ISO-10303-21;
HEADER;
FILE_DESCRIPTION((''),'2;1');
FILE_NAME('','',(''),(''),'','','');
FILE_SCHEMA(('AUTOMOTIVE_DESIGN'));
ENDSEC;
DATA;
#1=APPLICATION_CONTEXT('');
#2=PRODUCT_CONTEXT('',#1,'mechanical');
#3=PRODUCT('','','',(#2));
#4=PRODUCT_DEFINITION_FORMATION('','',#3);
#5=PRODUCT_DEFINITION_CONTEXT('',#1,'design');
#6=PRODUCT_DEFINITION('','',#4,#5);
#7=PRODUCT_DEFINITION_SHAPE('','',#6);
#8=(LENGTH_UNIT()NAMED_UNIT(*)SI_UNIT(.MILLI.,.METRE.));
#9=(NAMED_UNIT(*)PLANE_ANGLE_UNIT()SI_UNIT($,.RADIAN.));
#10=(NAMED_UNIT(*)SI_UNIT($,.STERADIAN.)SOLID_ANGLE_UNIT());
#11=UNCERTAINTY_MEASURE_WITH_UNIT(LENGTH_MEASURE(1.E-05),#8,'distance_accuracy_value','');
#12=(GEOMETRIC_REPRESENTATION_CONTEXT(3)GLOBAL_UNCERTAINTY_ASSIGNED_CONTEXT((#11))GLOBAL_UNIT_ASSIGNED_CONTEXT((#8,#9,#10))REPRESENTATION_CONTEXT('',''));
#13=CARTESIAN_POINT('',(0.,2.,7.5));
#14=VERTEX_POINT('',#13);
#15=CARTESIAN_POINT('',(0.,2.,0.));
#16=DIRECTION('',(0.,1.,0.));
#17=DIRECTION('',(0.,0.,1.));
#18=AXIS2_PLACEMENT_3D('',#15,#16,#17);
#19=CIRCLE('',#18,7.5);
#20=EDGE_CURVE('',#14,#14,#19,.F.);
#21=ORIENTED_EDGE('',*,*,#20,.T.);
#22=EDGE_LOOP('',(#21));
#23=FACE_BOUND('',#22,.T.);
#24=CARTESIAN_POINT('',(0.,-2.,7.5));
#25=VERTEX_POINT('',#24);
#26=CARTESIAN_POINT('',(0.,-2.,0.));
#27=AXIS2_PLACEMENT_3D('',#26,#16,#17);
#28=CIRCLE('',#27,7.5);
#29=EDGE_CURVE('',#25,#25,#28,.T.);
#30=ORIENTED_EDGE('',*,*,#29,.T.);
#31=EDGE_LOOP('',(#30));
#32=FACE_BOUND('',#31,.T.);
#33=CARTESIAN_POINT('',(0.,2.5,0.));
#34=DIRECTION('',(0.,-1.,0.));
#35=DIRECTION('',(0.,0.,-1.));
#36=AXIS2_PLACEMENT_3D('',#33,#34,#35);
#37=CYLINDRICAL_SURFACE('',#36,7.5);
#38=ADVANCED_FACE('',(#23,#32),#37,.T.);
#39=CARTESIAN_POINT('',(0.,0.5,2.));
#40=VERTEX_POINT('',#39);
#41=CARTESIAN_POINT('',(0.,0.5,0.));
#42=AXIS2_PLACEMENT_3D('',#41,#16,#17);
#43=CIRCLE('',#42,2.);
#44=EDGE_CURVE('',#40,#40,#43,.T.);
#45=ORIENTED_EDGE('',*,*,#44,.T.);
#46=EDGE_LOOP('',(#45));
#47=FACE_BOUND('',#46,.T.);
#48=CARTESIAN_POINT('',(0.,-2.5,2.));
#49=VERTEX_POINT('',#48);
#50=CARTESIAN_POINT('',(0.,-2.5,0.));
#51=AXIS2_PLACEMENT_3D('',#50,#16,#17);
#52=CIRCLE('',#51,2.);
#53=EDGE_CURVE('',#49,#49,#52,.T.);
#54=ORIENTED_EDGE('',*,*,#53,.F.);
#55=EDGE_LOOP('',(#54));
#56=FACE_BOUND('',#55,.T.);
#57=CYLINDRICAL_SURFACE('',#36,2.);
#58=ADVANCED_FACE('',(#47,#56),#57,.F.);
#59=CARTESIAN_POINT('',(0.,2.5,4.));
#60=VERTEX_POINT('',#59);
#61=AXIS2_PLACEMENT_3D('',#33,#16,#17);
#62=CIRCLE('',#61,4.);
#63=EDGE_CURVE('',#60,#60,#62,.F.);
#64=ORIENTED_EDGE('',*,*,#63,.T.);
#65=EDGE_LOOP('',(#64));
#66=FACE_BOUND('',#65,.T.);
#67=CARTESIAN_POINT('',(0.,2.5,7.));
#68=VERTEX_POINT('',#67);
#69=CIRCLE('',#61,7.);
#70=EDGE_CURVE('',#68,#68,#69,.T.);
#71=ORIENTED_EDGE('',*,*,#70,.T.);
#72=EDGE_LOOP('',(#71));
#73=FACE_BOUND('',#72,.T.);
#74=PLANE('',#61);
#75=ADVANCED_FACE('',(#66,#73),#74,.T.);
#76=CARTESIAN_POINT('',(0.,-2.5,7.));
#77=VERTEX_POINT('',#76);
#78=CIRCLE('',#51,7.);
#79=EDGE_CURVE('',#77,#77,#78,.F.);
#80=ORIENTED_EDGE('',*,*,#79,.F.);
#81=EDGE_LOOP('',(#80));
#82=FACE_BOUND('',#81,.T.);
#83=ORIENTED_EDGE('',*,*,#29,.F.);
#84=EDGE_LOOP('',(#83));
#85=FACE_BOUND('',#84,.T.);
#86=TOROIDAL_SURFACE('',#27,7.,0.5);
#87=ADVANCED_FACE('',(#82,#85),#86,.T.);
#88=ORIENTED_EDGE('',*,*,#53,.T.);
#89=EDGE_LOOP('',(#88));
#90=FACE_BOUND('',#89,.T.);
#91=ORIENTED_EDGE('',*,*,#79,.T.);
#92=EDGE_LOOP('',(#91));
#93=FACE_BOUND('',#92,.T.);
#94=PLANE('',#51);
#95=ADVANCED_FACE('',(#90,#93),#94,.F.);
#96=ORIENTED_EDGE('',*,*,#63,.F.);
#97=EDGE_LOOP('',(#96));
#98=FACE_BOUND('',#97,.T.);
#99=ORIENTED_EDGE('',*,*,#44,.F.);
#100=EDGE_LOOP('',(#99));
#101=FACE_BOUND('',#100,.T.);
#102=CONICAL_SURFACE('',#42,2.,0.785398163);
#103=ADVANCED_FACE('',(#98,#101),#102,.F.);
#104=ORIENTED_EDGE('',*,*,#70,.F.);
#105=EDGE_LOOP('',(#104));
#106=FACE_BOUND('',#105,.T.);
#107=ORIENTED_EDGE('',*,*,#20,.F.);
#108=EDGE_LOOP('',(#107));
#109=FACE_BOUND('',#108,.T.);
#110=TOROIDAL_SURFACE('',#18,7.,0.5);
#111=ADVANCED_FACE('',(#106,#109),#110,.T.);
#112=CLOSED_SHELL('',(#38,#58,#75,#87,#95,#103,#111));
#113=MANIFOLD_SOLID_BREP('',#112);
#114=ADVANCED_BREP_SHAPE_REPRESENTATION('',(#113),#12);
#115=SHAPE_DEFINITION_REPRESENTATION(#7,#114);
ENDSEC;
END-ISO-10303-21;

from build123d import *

# Parameters (mm, degrees)
SKETCH1_R           = 7.5
SKETCH1_R_2         = 2
BOSS_EXTRUDE1_DEPTH = 2.5
FILLET1_R           = 0.5
CHAMFER1_SIZE       = 2


with BuildPart() as part:
    # Sketch1 → Boss-Extrude1 (new body, symmetric)
    with BuildSketch(Plane(origin=(0, 0, 0), x_dir=(1, 0, 0), z_dir=(0, 1, 0))):
        Circle(SKETCH1_R)
        Circle(SKETCH1_R_2, mode=Mode.SUBTRACT)
    extrude(amount=BOSS_EXTRUDE1_DEPTH, both=True)

    # Fillet1
    fillet1_edges = [part.edges().sort_by_distance(p)[0] for p in [
        (-7.5, -2.5, 0),
        (-7.5, 2.5, 0),
    ]]
    fillet(fillet1_edges, radius=FILLET1_R)

    # Chamfer1
    chamfer1_edges = [part.edges().sort_by_distance(p)[0] for p in [
        (-2, 2.5, 0),
    ]]
    chamfer(chamfer1_edges, length=CHAMFER1_SIZE)


solid = part.part
